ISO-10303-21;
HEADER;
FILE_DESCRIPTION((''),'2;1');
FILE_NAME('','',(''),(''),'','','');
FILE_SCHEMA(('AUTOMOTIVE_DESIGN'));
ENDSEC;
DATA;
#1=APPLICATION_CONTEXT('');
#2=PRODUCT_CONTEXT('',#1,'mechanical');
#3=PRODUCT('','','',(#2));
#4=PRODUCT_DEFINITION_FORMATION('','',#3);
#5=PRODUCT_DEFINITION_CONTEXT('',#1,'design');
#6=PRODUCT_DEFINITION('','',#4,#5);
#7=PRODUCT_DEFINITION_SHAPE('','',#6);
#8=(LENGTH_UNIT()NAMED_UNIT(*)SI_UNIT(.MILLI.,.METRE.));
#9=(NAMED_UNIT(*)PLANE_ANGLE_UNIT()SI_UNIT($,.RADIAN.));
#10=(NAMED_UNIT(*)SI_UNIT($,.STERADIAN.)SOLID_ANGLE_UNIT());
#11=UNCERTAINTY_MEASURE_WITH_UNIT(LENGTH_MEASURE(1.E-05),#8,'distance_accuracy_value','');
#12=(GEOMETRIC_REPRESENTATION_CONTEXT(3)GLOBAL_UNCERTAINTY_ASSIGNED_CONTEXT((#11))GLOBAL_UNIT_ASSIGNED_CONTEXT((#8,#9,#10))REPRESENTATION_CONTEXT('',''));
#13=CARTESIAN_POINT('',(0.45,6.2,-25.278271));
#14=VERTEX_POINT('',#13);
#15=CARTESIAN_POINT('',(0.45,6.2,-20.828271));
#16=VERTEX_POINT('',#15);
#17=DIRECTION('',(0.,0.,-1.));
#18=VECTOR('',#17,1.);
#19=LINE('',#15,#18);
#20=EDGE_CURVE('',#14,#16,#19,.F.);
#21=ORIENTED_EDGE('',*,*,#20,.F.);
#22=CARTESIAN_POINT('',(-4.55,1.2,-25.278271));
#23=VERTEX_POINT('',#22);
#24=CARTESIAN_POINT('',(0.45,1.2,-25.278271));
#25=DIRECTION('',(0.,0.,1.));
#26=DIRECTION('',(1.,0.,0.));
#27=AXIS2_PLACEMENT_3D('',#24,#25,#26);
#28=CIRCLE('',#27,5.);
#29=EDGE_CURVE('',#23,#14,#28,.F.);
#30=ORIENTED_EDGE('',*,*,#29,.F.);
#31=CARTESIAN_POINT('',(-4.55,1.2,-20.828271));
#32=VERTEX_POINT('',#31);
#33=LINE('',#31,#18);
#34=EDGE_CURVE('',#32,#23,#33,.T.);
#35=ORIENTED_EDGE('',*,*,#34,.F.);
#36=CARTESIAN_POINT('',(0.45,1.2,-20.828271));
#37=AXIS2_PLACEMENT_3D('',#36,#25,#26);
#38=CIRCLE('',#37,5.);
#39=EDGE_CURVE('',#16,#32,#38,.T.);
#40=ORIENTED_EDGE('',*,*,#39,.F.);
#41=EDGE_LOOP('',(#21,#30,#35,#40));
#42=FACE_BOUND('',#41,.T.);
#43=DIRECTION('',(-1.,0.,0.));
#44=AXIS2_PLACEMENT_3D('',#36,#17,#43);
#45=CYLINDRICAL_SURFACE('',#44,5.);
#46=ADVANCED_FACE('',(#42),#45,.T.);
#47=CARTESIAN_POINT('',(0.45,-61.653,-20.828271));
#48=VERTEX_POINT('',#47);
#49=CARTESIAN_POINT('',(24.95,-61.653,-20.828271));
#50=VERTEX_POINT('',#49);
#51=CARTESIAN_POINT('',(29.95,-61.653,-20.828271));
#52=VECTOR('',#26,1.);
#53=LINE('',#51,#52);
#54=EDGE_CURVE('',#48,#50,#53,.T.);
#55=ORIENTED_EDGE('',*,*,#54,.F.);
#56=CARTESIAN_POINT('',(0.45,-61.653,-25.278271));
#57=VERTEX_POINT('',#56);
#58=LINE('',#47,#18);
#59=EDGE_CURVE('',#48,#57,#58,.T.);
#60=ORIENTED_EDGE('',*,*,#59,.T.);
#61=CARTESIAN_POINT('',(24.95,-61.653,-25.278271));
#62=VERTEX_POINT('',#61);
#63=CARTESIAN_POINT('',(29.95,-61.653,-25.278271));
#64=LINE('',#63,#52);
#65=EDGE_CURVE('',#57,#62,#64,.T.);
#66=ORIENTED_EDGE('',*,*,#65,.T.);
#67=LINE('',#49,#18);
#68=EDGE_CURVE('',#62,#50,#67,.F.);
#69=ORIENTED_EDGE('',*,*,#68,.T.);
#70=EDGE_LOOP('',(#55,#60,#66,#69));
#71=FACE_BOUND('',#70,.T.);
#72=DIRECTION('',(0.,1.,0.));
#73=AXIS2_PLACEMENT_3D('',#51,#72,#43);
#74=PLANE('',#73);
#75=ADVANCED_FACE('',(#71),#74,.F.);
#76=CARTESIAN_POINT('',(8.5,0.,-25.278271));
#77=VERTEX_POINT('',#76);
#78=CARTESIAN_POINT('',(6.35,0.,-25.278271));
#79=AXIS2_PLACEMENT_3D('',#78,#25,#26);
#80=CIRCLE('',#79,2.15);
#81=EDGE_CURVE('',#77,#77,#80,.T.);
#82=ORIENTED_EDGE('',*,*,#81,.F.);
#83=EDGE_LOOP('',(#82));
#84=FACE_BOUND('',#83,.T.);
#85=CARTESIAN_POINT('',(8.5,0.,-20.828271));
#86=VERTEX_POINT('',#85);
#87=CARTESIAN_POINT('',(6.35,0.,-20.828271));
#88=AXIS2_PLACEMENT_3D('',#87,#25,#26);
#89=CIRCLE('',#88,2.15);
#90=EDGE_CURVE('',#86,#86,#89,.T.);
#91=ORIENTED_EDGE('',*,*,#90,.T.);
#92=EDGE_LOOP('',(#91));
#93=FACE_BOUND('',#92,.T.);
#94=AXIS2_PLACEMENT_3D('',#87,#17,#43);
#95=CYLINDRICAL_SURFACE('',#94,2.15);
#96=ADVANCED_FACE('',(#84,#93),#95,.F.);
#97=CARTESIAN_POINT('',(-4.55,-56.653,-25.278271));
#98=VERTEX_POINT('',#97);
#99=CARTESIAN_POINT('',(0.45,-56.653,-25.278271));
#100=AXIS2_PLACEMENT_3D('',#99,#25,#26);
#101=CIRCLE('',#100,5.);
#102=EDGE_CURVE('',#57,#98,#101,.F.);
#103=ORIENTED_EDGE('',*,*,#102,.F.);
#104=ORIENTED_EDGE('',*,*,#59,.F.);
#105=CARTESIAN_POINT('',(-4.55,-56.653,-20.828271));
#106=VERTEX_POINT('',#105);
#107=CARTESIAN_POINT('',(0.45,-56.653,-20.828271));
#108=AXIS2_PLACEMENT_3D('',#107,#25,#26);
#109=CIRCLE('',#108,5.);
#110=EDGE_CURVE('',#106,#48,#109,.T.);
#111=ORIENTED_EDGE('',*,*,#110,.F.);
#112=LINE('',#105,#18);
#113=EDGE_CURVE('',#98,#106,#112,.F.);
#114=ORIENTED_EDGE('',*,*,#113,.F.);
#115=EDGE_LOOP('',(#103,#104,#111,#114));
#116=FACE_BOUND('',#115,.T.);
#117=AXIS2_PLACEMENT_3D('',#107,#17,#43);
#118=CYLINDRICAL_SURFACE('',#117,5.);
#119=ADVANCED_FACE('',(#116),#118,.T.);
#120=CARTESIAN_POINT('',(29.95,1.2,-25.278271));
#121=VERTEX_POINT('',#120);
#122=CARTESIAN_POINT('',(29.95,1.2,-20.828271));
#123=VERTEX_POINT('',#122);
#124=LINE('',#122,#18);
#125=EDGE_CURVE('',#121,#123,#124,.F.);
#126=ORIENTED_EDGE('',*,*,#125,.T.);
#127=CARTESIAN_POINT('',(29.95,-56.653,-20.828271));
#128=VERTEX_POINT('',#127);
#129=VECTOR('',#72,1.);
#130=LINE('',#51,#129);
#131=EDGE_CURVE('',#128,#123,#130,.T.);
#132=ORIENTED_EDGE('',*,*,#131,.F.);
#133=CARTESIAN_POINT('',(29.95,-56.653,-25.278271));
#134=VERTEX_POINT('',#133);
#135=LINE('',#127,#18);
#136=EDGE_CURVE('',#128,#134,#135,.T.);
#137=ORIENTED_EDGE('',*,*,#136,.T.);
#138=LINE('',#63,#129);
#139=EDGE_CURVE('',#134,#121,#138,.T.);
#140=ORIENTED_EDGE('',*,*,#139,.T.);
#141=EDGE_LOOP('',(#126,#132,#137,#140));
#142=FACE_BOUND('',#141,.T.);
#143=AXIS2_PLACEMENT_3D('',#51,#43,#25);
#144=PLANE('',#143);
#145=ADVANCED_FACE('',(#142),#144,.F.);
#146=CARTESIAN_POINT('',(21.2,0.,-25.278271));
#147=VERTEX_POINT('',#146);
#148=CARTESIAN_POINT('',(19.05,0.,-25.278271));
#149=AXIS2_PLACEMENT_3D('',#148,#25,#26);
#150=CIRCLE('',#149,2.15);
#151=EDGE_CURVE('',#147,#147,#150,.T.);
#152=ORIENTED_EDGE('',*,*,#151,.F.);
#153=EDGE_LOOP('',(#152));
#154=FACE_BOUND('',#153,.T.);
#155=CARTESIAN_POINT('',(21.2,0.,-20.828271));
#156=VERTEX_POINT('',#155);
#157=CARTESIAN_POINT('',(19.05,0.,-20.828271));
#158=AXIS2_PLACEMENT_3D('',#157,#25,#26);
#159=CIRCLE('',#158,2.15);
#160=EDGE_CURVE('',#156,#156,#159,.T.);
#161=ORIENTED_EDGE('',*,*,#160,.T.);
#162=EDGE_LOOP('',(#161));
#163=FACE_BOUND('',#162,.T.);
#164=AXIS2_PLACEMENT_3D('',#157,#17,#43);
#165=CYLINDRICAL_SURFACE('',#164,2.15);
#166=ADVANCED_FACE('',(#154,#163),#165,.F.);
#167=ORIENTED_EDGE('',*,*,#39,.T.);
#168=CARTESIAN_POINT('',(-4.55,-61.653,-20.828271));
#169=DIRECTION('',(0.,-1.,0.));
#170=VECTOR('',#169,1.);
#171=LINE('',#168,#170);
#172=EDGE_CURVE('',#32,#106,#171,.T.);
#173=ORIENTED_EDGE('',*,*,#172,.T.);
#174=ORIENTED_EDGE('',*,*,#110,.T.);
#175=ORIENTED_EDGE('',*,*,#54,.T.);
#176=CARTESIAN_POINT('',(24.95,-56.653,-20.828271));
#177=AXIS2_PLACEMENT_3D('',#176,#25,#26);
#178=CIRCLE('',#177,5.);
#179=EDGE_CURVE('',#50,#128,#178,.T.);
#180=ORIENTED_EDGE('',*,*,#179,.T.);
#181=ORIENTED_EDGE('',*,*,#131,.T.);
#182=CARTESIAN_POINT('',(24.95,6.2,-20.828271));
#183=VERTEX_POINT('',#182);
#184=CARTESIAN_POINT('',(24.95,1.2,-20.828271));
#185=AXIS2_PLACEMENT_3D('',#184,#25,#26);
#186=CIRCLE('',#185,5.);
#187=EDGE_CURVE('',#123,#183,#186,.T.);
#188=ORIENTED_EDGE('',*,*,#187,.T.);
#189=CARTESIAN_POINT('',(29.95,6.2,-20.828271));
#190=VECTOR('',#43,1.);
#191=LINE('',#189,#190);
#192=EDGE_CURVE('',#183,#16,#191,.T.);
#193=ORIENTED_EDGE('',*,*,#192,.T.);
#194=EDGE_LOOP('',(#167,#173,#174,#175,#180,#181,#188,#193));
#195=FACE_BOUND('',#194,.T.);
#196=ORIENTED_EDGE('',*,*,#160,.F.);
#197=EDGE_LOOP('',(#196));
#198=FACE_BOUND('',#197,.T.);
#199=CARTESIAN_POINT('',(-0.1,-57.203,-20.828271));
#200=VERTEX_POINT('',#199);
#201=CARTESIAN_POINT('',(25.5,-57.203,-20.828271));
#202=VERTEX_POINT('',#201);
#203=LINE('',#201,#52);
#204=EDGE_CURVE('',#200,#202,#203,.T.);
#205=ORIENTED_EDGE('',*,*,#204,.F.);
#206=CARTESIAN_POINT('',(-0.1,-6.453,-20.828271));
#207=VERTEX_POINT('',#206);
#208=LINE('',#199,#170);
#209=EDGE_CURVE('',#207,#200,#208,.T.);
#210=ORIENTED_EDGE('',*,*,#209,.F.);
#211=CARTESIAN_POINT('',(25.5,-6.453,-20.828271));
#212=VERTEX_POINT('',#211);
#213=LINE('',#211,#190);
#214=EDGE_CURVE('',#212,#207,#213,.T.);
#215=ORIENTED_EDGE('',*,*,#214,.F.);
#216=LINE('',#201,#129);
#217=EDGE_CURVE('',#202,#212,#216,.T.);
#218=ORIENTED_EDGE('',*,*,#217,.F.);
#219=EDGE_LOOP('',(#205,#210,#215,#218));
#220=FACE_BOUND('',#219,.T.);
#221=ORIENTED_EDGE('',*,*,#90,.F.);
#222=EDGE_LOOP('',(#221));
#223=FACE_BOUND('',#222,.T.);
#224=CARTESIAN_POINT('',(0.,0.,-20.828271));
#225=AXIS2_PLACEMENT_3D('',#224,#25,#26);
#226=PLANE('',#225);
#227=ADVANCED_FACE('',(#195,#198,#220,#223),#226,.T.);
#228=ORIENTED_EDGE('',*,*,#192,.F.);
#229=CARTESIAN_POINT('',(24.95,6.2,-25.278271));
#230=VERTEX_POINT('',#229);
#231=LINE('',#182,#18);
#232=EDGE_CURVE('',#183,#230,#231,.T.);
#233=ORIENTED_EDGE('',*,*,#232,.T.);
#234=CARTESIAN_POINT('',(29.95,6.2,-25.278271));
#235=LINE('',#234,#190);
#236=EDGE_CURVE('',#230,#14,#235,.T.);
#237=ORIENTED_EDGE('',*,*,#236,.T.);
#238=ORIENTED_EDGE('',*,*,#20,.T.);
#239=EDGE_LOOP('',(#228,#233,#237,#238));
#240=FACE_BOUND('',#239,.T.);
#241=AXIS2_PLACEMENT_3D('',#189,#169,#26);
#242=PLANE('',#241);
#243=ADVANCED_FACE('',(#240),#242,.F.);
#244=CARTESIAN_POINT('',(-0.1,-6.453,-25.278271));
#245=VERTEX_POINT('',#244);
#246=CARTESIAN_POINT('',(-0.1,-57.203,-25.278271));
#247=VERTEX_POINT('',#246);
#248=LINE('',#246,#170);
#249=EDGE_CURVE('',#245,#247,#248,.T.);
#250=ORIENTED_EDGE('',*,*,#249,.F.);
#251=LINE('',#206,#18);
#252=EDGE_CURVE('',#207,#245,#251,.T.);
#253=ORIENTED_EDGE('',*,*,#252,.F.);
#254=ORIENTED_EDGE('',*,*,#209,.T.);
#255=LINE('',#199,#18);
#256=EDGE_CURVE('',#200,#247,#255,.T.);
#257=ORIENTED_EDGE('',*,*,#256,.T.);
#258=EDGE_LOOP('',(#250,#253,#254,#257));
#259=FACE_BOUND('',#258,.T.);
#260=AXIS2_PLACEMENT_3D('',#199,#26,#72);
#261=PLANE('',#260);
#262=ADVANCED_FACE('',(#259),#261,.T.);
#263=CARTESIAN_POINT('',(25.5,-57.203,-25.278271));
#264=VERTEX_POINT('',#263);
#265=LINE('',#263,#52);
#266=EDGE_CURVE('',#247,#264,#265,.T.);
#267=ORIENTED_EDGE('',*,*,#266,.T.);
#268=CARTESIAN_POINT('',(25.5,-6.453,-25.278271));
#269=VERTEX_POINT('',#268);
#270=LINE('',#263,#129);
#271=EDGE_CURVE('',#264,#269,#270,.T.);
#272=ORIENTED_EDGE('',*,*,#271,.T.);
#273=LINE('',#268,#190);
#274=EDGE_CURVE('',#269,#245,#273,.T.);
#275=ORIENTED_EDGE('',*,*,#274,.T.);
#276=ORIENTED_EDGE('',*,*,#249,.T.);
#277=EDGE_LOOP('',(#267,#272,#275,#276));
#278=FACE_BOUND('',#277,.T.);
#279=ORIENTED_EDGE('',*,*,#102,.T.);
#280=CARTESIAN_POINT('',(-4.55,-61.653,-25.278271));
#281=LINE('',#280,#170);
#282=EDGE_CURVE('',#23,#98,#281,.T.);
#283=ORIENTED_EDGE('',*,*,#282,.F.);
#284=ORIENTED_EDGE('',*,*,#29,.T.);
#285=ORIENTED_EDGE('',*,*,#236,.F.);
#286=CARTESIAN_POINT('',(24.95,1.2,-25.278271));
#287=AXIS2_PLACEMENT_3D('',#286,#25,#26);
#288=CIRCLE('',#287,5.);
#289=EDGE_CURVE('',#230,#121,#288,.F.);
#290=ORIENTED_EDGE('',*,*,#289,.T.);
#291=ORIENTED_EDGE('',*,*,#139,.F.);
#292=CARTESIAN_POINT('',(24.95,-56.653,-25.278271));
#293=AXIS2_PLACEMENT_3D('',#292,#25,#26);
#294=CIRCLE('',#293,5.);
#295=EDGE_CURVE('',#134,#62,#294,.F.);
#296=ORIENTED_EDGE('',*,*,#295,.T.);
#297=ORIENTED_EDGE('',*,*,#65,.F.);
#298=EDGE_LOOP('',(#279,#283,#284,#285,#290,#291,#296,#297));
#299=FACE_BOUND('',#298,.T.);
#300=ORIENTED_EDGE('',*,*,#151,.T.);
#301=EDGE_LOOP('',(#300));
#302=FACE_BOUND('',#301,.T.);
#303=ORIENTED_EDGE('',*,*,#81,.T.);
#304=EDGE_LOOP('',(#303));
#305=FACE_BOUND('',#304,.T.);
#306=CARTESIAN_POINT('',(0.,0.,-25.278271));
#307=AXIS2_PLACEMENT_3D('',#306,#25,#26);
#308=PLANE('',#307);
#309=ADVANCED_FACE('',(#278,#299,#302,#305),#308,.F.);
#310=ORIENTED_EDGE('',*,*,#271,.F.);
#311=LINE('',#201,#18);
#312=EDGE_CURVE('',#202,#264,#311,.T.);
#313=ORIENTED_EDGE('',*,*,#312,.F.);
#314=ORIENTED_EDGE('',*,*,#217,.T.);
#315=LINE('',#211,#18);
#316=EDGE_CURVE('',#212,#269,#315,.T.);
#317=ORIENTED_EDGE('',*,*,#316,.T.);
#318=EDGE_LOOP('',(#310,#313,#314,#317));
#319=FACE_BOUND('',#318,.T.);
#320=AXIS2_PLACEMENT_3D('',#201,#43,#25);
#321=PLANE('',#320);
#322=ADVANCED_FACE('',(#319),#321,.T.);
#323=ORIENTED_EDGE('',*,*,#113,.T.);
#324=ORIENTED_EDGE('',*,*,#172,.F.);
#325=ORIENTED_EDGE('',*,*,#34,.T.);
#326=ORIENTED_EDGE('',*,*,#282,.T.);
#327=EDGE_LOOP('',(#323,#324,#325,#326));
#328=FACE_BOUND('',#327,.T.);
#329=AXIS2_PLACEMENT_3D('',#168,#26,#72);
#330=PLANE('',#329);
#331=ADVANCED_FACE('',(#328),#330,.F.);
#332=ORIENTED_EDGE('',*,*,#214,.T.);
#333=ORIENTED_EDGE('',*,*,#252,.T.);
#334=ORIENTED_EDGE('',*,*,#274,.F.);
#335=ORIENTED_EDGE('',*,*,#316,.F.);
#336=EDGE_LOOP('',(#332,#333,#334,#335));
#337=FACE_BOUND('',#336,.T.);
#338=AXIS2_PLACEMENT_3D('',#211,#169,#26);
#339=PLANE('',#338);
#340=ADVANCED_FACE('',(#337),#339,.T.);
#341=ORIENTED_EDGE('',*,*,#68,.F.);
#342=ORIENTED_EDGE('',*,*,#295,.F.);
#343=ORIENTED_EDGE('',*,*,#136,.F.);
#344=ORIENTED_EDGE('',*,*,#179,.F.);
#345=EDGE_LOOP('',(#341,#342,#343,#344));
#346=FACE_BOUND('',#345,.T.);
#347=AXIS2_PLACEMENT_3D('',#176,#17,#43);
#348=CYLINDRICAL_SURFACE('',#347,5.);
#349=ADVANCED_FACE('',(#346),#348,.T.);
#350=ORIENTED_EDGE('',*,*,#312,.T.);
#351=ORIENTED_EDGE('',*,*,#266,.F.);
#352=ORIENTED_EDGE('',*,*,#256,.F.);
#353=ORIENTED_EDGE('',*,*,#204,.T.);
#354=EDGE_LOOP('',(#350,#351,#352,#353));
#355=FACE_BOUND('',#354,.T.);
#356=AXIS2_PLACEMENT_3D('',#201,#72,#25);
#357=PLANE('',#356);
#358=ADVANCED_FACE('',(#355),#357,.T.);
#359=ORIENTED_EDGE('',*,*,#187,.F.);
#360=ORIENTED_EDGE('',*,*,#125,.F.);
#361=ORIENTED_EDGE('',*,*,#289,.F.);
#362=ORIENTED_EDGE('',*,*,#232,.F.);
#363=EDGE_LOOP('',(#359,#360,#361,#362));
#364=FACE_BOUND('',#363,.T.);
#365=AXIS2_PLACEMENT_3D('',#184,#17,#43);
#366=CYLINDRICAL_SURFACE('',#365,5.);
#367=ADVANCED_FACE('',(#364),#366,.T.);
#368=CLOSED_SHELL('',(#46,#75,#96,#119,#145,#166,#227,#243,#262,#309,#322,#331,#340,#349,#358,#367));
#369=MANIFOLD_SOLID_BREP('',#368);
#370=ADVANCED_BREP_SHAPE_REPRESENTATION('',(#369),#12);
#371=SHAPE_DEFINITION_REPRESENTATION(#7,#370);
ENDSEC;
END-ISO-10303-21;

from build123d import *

# Parameters (mm, degrees)
SKETCH3_W           = 34.5
SKETCH3_H           = 67.853
SKETCH3_R           = 2.15
SKETCH3_W_2         = 25.6
SKETCH3_H_2         = 50.75
BOSS_EXTRUDE1_DEPTH = 4.45
FILLET1_R           = 5


with BuildPart() as part:
    # Sketch3 → Boss-Extrude1 (new body)
    with BuildSketch(Plane.XY.offset(-25.278270569)):
        with Locations((12.7, -27.7265)):
            Rectangle(SKETCH3_W, SKETCH3_H)
        with Locations((6.35, 0)):
            Circle(SKETCH3_R, mode=Mode.SUBTRACT)
        with Locations((19.05, 0)):
            Circle(SKETCH3_R, mode=Mode.SUBTRACT)
        with Locations((12.7, -31.828)):
            Rectangle(SKETCH3_W_2, SKETCH3_H_2, mode=Mode.SUBTRACT)
    extrude(amount=BOSS_EXTRUDE1_DEPTH)

    # Fillet1
    fillet1_edges = [part.edges().sort_by_distance(p)[0] for p in [
        (29.95, -61.653, -23.053270569),
        (-4.55, -61.653, -23.053270569),
        (-4.55, 6.2, -23.053270569),
        (29.95, 6.2, -23.053270569),
    ]]
    fillet(fillet1_edges, radius=FILLET1_R)


solid = part.part
